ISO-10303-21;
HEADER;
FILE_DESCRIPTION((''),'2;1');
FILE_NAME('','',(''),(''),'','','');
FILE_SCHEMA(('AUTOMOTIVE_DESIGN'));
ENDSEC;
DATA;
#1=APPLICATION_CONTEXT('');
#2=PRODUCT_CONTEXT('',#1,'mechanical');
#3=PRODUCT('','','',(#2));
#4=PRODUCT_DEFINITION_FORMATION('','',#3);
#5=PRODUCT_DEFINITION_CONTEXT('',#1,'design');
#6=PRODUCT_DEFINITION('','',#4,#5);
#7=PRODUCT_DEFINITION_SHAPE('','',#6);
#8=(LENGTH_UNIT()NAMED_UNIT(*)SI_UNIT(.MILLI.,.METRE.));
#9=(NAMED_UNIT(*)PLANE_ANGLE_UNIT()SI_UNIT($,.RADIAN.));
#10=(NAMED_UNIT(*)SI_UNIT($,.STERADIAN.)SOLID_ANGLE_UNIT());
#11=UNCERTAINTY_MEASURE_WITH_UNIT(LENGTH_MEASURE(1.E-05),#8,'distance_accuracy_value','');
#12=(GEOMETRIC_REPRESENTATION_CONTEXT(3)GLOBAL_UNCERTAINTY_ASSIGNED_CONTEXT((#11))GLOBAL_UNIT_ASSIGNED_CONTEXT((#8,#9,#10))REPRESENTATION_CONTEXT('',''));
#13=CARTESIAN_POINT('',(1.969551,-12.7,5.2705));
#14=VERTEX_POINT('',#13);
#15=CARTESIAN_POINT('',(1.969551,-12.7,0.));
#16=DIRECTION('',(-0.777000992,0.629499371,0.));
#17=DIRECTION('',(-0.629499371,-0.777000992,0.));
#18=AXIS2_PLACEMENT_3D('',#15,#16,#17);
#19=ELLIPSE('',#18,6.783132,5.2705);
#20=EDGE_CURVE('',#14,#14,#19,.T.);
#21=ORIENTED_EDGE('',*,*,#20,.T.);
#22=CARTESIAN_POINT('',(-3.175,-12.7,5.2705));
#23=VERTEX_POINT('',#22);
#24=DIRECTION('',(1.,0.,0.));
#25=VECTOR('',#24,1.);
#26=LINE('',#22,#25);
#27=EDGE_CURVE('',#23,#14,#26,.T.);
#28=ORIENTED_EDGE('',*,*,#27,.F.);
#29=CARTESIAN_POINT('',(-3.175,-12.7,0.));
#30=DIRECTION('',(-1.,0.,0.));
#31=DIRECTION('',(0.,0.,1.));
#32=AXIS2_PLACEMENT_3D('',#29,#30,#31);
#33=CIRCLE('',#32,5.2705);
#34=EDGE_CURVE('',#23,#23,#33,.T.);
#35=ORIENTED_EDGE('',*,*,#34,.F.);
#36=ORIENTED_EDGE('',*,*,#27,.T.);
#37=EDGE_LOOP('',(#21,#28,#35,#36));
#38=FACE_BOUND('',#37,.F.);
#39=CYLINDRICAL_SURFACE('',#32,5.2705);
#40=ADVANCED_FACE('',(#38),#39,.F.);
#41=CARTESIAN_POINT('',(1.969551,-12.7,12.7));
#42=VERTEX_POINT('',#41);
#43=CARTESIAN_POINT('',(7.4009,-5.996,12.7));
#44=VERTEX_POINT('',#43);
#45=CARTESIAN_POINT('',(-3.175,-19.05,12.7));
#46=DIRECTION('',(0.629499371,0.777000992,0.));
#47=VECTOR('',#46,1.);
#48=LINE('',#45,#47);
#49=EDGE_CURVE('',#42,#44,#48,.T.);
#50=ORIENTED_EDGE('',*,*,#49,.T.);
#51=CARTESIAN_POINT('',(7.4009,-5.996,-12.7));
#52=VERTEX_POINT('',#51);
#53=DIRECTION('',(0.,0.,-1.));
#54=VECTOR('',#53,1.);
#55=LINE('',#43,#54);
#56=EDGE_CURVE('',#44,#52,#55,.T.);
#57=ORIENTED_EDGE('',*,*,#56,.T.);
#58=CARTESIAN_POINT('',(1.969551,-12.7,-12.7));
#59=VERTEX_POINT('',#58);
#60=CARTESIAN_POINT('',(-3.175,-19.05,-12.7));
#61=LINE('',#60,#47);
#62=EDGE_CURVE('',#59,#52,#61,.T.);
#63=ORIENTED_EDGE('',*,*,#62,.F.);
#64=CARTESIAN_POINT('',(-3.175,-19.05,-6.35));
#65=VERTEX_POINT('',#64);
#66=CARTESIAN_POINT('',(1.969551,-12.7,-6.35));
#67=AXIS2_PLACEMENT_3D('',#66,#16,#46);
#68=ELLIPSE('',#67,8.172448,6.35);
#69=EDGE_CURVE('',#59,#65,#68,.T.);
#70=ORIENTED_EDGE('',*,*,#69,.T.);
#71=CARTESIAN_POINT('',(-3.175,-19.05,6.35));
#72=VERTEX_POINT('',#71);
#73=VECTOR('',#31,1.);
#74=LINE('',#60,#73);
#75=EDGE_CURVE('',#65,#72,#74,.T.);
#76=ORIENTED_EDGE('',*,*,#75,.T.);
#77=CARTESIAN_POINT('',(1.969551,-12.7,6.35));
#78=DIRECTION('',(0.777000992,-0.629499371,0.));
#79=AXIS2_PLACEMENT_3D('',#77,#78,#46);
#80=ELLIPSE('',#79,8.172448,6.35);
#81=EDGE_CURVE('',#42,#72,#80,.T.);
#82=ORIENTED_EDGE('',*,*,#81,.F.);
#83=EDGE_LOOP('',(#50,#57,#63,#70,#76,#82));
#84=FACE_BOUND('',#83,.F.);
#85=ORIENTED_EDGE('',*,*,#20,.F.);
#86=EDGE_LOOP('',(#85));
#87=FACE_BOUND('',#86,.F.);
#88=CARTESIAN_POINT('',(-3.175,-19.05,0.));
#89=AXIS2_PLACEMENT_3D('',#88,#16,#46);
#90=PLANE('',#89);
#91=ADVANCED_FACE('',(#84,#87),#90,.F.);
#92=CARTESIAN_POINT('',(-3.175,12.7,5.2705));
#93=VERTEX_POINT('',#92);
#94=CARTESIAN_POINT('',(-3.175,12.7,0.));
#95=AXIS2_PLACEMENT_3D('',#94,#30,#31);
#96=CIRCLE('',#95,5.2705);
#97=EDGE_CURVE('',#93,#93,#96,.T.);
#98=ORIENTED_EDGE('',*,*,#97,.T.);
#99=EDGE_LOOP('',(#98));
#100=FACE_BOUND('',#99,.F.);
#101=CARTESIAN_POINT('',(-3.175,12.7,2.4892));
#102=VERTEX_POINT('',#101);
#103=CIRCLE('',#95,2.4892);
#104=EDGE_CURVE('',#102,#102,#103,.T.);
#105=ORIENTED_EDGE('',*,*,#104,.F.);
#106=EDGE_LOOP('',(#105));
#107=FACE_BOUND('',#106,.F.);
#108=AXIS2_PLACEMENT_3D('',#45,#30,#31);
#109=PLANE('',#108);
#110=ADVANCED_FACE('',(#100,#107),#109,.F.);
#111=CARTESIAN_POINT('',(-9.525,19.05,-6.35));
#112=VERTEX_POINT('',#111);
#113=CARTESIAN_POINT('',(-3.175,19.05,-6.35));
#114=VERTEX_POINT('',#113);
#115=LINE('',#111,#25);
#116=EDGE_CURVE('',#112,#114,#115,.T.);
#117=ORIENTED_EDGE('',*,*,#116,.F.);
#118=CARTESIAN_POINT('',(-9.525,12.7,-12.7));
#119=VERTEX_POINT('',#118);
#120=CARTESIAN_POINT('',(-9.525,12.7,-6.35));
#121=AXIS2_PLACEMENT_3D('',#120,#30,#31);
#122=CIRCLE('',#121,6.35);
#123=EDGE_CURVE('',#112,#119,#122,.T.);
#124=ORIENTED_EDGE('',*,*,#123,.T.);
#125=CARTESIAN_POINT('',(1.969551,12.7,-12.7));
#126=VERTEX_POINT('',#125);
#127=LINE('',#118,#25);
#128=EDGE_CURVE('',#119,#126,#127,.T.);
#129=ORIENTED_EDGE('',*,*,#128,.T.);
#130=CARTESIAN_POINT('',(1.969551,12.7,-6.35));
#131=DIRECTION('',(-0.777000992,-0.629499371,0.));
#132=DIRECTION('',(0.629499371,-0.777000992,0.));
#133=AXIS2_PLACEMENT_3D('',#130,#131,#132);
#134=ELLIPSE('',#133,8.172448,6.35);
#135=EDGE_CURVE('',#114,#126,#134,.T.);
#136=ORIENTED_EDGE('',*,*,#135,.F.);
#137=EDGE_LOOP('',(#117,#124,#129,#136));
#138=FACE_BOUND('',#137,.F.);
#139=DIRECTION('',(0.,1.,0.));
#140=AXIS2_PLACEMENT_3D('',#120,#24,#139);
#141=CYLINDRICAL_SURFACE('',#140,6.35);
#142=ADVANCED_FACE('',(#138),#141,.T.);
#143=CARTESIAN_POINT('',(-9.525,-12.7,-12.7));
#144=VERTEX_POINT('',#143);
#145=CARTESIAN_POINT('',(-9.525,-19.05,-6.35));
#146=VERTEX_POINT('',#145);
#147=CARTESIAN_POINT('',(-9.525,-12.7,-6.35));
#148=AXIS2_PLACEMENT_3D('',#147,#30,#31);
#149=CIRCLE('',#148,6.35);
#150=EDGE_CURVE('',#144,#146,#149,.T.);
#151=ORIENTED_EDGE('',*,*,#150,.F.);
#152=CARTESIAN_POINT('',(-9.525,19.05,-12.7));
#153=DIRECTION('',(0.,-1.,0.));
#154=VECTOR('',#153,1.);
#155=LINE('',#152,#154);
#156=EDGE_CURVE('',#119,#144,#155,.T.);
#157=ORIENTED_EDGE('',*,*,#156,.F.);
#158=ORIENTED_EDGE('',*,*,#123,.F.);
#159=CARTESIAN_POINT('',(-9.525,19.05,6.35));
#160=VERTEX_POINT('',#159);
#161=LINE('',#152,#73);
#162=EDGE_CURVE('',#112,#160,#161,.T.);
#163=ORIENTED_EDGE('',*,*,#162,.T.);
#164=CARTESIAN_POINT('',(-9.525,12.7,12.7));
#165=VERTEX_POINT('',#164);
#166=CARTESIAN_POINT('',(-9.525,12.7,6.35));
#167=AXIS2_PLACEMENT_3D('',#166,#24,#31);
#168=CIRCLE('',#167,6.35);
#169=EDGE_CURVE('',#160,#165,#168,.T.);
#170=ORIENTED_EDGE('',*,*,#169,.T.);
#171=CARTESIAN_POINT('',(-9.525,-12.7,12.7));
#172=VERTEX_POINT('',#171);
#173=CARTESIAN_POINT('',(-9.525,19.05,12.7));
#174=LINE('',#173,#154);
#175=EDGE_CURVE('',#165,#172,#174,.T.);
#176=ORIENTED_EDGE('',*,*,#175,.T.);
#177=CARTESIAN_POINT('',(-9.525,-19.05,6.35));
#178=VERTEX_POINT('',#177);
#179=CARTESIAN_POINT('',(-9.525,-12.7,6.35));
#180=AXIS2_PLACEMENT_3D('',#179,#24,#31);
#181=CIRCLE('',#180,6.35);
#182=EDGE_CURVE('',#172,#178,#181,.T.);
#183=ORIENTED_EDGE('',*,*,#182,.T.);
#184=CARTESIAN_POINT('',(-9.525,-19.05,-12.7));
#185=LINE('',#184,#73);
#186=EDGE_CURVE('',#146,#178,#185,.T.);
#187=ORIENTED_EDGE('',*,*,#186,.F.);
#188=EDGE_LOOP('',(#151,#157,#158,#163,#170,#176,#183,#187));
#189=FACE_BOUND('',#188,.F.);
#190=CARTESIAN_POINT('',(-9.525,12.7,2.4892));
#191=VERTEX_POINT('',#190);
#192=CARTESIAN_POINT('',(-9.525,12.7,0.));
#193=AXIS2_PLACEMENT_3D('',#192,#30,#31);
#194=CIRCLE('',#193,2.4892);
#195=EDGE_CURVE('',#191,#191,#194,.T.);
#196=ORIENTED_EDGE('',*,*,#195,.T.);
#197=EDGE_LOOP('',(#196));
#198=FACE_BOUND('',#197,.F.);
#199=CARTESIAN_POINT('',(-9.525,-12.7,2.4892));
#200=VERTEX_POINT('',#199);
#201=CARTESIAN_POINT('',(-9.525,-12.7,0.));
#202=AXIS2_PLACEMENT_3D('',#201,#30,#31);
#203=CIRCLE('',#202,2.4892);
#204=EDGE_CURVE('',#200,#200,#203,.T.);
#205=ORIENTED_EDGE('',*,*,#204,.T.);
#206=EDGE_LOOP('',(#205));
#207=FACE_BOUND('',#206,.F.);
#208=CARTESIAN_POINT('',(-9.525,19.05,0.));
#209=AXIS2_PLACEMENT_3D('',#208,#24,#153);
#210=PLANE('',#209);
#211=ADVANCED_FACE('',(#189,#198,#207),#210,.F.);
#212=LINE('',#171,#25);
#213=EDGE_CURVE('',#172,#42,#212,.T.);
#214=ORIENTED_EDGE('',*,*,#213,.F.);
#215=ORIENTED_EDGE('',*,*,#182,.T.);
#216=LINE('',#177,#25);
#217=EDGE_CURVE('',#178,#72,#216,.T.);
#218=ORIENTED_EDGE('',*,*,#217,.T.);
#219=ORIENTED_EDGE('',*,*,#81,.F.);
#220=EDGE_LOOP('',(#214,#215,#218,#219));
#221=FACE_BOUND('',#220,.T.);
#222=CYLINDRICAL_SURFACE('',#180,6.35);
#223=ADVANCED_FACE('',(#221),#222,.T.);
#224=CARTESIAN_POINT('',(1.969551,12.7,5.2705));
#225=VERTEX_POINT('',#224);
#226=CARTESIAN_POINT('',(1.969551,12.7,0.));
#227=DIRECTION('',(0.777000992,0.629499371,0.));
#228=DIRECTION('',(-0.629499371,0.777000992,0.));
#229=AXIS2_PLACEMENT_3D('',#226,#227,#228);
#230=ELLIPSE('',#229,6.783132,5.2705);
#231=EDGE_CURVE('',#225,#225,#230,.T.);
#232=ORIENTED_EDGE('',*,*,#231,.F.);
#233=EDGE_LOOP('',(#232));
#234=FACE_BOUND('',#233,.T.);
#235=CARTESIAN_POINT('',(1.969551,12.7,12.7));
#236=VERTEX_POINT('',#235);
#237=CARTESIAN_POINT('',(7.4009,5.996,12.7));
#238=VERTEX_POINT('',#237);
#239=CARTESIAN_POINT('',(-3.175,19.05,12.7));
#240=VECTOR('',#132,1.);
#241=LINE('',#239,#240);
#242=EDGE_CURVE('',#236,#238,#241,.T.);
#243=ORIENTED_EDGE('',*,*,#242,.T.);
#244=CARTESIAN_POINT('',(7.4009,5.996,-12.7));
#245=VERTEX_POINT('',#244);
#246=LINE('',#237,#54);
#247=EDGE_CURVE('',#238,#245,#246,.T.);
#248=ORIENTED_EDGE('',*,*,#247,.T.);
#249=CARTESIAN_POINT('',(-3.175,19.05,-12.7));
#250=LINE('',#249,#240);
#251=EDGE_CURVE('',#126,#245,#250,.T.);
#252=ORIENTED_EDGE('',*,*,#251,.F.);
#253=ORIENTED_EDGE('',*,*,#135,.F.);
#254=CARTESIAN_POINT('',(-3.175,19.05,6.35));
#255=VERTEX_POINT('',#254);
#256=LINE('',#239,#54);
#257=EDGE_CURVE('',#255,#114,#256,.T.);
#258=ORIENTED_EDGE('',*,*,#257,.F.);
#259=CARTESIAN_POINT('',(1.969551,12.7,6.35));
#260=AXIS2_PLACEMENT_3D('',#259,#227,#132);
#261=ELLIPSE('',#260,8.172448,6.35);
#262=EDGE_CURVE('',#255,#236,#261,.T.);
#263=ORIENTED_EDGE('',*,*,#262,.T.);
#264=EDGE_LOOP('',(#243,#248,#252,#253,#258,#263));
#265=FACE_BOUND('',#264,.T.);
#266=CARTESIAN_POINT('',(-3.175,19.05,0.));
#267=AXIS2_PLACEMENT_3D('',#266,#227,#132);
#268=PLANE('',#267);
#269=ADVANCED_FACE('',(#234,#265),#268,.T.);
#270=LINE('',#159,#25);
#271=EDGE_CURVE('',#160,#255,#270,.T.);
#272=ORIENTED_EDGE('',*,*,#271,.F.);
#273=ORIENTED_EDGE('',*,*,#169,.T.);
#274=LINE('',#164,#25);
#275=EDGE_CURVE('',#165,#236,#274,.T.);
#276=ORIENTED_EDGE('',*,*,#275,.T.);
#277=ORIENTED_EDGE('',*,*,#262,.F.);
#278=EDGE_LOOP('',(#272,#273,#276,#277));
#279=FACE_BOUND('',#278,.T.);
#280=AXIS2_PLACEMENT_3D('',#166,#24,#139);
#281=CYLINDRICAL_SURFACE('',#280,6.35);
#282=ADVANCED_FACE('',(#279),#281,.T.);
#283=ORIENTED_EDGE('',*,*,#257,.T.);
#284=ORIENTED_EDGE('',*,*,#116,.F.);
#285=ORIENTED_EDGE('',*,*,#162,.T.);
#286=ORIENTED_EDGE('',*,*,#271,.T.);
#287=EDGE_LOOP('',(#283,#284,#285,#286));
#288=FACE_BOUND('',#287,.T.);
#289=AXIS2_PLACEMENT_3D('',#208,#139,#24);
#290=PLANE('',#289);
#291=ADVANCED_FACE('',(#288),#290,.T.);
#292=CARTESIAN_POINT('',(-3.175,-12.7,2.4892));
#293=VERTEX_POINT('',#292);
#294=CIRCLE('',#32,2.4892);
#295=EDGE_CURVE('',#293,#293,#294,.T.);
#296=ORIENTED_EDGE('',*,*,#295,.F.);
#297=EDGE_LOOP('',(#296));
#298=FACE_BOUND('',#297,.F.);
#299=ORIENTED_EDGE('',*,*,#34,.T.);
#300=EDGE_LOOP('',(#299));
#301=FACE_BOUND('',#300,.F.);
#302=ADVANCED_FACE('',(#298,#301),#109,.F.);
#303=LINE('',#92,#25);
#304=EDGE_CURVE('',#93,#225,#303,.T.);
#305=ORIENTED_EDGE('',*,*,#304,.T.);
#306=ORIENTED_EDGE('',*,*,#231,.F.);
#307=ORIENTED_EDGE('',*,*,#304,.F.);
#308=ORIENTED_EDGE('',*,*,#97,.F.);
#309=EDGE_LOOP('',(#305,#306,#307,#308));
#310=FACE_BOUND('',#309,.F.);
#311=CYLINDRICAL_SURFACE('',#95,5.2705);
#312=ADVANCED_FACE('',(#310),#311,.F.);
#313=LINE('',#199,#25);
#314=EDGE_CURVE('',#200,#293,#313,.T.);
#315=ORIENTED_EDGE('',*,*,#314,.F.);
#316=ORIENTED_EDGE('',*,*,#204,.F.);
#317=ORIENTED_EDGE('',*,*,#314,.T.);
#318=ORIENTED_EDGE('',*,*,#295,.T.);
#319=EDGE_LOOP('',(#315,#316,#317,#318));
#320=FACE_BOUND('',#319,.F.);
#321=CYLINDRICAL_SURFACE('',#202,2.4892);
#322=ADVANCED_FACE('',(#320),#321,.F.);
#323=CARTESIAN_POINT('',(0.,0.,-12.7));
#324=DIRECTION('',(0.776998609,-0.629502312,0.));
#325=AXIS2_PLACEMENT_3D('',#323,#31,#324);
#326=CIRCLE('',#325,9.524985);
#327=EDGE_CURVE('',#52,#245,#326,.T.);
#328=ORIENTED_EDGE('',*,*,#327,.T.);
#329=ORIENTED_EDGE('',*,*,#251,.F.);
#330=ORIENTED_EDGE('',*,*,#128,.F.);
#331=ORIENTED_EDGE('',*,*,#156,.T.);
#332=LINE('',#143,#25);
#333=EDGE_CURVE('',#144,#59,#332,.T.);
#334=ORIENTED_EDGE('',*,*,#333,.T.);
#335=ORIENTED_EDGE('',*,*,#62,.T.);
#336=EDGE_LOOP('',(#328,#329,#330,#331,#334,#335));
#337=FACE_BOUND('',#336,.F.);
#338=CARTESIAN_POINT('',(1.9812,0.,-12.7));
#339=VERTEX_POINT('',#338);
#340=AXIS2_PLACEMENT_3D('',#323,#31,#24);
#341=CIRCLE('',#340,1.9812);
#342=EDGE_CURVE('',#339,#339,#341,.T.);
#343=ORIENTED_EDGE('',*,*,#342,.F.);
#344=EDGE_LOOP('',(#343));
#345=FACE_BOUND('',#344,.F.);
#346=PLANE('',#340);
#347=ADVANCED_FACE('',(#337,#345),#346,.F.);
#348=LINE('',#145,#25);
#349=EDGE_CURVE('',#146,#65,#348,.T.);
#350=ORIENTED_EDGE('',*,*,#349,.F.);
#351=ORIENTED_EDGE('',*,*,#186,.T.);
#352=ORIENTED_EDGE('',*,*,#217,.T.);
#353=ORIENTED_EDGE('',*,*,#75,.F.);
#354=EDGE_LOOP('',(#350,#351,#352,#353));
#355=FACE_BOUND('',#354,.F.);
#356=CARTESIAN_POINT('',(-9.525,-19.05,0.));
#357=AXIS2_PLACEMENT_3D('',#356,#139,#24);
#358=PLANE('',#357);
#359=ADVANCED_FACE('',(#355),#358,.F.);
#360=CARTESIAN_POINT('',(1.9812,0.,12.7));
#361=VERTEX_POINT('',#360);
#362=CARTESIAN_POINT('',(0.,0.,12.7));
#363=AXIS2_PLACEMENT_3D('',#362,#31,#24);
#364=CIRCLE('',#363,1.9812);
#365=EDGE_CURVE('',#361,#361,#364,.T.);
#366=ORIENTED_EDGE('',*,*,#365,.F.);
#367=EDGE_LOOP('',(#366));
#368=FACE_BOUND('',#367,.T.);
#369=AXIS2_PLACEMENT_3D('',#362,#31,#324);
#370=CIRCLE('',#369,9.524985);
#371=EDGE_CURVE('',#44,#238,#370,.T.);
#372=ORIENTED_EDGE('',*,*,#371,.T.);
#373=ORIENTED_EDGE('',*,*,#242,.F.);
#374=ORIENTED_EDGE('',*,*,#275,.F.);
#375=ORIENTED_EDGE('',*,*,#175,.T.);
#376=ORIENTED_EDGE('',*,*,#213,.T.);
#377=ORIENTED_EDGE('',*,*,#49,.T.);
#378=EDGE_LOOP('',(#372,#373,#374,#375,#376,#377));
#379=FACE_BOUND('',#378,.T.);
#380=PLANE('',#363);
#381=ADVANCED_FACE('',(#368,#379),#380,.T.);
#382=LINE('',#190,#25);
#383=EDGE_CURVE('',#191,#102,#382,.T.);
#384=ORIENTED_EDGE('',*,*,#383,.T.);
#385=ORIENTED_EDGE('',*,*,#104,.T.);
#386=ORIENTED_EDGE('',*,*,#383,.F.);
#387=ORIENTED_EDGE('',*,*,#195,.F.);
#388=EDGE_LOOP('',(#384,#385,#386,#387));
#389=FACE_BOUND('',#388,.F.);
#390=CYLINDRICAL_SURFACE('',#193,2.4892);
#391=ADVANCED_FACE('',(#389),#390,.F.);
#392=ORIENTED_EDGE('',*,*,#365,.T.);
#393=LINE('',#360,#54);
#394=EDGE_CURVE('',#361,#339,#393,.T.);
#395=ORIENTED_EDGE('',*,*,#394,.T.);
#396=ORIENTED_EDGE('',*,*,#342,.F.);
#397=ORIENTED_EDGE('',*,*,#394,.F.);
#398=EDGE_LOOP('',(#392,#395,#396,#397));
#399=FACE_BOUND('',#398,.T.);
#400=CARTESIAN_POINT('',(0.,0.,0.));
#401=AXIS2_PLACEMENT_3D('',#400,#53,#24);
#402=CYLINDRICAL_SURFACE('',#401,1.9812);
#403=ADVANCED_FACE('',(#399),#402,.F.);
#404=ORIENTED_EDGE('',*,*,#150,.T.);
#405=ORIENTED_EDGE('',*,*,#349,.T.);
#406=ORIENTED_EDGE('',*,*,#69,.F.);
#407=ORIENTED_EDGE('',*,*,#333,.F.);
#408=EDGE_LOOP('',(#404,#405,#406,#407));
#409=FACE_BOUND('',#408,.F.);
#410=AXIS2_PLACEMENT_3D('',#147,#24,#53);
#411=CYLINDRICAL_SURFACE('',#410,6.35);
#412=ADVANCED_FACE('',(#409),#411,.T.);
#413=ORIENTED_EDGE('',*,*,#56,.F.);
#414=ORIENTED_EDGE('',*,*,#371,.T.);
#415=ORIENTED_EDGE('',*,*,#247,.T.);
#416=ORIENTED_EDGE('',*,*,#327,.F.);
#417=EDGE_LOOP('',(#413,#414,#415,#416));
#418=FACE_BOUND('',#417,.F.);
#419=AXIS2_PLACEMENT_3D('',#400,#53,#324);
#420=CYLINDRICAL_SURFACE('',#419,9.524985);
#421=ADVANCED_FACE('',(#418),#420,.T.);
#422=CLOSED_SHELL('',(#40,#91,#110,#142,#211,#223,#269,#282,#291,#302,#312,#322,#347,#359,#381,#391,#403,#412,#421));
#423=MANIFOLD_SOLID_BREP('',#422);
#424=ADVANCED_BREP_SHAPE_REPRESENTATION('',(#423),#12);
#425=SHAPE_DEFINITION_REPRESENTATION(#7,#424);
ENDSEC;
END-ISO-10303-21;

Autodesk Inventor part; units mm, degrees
ref_plane "YZ Plane" through (0, 0, 0) normal (1, 0, 0) x (0, 1, 0)
ref_plane "XZ Plane" through (0, 0, 0) normal (0, 1, 0) x (-1, 0, 0)
sketch "Sketch1" plane through (0, 0, 0) normal (0, 0, 1) x (1, 0, 0)
  circle A0 centre (0, 0) radius 9.525 construction
  circle A1 centre (0, 0) radius 1.9812
  line L0 (-9.525, 19.05) -> (-9.525, -19.05)
  line L1 (-9.525, 19.05) -> (-3.175, 19.05)
  line L2 (-3.175, 19.05) -> (7.4009, 5.996)
  line L3 (-9.525, -19.05) -> (-3.175, -19.05)
  line L4 (-3.175, -19.05) -> (7.4009, -5.996)
  arc A2 (7.4009, -5.996) -> (7.4009, 5.996) centre (0, 0) ccw
  point P0 (-9.525, 0)
  dimension "d0" = 19.05
  dimension "d1" = 3.9624
  dimension "d3" = 38.1
  dimension "d17" = 6.35
  dimension "d26" = 9.525
extrude "Extrusion1" add sketch "Sketch1" along normal mid plane 25.4
sketch "Sketch2" plane through (-9.525, -19.05, 12.7) normal (-1, 0, 0) x (0, 0, 1)
  circle A0 centre (-12.7, 19.05) radius 2.4892 construction
  line L0 (-25.4, 0) -> (-25.4, 38.1) projected
  circle A1 centre (-12.7, 31.75) radius 2.4892
  circle A2 centre (-12.7, 6.35) radius 2.4892
  circle A3 centre (-12.7, 19.05) radius 2.4892 construction
  dimension "d6" = 4.9784
  dimension "d9" = 12.7
  dimension "d12" = 12.7
extrude "Extrusion2" cut sketch "Sketch2" against normal through all
ref_plane "Work Plane1" through (-3.175, -19.05, 12.7) normal (-1, 0, 0) x (0, 0, 1)
sketch "Sketch3" plane through (-3.175, -19.05, 12.7) normal (-1, 0, 0) x (0, 0, 1)
  circle A0 centre (-12.7, 31.75) radius 2.4892 projected
  circle A1 centre (-12.7, 6.35) radius 2.4892 projected
  circle A2 centre (-12.7, 31.75) radius 5.2705
  circle A3 centre (-12.7, 6.35) radius 5.2705
  point P0 (-12.7, 19.05)
  dimension "d18" = 10.541
  dimension "d19" = 10.541
extrude "Extrusion3" cut sketch "Sketch3" against normal through all
thread "Thread1" size "10-24 UNC" class "2B" standard "ANSI Unified Screw Threads" length 25.4
fillet "Fillet1" radius 6.35 4 edges at (-6.35, 19.05, 12.7) (-6.35, 19.05, -12.7) (-6.35, -19.05, 12.7) (-6.35, -19.05, -12.7)
sketch "Sketch5" plane through (0, 0, -12.7) normal (0, 0, -1) x (-1, 0, 0)
  circle A0 centre (0, 0) radius 1.9812 projected
extrude "Extrusion5" [suppressed]
equation "\"d19\" = d18"
properties part number "F4C9-200-002 Side Bearing Block" material "Aluminum 6061"
